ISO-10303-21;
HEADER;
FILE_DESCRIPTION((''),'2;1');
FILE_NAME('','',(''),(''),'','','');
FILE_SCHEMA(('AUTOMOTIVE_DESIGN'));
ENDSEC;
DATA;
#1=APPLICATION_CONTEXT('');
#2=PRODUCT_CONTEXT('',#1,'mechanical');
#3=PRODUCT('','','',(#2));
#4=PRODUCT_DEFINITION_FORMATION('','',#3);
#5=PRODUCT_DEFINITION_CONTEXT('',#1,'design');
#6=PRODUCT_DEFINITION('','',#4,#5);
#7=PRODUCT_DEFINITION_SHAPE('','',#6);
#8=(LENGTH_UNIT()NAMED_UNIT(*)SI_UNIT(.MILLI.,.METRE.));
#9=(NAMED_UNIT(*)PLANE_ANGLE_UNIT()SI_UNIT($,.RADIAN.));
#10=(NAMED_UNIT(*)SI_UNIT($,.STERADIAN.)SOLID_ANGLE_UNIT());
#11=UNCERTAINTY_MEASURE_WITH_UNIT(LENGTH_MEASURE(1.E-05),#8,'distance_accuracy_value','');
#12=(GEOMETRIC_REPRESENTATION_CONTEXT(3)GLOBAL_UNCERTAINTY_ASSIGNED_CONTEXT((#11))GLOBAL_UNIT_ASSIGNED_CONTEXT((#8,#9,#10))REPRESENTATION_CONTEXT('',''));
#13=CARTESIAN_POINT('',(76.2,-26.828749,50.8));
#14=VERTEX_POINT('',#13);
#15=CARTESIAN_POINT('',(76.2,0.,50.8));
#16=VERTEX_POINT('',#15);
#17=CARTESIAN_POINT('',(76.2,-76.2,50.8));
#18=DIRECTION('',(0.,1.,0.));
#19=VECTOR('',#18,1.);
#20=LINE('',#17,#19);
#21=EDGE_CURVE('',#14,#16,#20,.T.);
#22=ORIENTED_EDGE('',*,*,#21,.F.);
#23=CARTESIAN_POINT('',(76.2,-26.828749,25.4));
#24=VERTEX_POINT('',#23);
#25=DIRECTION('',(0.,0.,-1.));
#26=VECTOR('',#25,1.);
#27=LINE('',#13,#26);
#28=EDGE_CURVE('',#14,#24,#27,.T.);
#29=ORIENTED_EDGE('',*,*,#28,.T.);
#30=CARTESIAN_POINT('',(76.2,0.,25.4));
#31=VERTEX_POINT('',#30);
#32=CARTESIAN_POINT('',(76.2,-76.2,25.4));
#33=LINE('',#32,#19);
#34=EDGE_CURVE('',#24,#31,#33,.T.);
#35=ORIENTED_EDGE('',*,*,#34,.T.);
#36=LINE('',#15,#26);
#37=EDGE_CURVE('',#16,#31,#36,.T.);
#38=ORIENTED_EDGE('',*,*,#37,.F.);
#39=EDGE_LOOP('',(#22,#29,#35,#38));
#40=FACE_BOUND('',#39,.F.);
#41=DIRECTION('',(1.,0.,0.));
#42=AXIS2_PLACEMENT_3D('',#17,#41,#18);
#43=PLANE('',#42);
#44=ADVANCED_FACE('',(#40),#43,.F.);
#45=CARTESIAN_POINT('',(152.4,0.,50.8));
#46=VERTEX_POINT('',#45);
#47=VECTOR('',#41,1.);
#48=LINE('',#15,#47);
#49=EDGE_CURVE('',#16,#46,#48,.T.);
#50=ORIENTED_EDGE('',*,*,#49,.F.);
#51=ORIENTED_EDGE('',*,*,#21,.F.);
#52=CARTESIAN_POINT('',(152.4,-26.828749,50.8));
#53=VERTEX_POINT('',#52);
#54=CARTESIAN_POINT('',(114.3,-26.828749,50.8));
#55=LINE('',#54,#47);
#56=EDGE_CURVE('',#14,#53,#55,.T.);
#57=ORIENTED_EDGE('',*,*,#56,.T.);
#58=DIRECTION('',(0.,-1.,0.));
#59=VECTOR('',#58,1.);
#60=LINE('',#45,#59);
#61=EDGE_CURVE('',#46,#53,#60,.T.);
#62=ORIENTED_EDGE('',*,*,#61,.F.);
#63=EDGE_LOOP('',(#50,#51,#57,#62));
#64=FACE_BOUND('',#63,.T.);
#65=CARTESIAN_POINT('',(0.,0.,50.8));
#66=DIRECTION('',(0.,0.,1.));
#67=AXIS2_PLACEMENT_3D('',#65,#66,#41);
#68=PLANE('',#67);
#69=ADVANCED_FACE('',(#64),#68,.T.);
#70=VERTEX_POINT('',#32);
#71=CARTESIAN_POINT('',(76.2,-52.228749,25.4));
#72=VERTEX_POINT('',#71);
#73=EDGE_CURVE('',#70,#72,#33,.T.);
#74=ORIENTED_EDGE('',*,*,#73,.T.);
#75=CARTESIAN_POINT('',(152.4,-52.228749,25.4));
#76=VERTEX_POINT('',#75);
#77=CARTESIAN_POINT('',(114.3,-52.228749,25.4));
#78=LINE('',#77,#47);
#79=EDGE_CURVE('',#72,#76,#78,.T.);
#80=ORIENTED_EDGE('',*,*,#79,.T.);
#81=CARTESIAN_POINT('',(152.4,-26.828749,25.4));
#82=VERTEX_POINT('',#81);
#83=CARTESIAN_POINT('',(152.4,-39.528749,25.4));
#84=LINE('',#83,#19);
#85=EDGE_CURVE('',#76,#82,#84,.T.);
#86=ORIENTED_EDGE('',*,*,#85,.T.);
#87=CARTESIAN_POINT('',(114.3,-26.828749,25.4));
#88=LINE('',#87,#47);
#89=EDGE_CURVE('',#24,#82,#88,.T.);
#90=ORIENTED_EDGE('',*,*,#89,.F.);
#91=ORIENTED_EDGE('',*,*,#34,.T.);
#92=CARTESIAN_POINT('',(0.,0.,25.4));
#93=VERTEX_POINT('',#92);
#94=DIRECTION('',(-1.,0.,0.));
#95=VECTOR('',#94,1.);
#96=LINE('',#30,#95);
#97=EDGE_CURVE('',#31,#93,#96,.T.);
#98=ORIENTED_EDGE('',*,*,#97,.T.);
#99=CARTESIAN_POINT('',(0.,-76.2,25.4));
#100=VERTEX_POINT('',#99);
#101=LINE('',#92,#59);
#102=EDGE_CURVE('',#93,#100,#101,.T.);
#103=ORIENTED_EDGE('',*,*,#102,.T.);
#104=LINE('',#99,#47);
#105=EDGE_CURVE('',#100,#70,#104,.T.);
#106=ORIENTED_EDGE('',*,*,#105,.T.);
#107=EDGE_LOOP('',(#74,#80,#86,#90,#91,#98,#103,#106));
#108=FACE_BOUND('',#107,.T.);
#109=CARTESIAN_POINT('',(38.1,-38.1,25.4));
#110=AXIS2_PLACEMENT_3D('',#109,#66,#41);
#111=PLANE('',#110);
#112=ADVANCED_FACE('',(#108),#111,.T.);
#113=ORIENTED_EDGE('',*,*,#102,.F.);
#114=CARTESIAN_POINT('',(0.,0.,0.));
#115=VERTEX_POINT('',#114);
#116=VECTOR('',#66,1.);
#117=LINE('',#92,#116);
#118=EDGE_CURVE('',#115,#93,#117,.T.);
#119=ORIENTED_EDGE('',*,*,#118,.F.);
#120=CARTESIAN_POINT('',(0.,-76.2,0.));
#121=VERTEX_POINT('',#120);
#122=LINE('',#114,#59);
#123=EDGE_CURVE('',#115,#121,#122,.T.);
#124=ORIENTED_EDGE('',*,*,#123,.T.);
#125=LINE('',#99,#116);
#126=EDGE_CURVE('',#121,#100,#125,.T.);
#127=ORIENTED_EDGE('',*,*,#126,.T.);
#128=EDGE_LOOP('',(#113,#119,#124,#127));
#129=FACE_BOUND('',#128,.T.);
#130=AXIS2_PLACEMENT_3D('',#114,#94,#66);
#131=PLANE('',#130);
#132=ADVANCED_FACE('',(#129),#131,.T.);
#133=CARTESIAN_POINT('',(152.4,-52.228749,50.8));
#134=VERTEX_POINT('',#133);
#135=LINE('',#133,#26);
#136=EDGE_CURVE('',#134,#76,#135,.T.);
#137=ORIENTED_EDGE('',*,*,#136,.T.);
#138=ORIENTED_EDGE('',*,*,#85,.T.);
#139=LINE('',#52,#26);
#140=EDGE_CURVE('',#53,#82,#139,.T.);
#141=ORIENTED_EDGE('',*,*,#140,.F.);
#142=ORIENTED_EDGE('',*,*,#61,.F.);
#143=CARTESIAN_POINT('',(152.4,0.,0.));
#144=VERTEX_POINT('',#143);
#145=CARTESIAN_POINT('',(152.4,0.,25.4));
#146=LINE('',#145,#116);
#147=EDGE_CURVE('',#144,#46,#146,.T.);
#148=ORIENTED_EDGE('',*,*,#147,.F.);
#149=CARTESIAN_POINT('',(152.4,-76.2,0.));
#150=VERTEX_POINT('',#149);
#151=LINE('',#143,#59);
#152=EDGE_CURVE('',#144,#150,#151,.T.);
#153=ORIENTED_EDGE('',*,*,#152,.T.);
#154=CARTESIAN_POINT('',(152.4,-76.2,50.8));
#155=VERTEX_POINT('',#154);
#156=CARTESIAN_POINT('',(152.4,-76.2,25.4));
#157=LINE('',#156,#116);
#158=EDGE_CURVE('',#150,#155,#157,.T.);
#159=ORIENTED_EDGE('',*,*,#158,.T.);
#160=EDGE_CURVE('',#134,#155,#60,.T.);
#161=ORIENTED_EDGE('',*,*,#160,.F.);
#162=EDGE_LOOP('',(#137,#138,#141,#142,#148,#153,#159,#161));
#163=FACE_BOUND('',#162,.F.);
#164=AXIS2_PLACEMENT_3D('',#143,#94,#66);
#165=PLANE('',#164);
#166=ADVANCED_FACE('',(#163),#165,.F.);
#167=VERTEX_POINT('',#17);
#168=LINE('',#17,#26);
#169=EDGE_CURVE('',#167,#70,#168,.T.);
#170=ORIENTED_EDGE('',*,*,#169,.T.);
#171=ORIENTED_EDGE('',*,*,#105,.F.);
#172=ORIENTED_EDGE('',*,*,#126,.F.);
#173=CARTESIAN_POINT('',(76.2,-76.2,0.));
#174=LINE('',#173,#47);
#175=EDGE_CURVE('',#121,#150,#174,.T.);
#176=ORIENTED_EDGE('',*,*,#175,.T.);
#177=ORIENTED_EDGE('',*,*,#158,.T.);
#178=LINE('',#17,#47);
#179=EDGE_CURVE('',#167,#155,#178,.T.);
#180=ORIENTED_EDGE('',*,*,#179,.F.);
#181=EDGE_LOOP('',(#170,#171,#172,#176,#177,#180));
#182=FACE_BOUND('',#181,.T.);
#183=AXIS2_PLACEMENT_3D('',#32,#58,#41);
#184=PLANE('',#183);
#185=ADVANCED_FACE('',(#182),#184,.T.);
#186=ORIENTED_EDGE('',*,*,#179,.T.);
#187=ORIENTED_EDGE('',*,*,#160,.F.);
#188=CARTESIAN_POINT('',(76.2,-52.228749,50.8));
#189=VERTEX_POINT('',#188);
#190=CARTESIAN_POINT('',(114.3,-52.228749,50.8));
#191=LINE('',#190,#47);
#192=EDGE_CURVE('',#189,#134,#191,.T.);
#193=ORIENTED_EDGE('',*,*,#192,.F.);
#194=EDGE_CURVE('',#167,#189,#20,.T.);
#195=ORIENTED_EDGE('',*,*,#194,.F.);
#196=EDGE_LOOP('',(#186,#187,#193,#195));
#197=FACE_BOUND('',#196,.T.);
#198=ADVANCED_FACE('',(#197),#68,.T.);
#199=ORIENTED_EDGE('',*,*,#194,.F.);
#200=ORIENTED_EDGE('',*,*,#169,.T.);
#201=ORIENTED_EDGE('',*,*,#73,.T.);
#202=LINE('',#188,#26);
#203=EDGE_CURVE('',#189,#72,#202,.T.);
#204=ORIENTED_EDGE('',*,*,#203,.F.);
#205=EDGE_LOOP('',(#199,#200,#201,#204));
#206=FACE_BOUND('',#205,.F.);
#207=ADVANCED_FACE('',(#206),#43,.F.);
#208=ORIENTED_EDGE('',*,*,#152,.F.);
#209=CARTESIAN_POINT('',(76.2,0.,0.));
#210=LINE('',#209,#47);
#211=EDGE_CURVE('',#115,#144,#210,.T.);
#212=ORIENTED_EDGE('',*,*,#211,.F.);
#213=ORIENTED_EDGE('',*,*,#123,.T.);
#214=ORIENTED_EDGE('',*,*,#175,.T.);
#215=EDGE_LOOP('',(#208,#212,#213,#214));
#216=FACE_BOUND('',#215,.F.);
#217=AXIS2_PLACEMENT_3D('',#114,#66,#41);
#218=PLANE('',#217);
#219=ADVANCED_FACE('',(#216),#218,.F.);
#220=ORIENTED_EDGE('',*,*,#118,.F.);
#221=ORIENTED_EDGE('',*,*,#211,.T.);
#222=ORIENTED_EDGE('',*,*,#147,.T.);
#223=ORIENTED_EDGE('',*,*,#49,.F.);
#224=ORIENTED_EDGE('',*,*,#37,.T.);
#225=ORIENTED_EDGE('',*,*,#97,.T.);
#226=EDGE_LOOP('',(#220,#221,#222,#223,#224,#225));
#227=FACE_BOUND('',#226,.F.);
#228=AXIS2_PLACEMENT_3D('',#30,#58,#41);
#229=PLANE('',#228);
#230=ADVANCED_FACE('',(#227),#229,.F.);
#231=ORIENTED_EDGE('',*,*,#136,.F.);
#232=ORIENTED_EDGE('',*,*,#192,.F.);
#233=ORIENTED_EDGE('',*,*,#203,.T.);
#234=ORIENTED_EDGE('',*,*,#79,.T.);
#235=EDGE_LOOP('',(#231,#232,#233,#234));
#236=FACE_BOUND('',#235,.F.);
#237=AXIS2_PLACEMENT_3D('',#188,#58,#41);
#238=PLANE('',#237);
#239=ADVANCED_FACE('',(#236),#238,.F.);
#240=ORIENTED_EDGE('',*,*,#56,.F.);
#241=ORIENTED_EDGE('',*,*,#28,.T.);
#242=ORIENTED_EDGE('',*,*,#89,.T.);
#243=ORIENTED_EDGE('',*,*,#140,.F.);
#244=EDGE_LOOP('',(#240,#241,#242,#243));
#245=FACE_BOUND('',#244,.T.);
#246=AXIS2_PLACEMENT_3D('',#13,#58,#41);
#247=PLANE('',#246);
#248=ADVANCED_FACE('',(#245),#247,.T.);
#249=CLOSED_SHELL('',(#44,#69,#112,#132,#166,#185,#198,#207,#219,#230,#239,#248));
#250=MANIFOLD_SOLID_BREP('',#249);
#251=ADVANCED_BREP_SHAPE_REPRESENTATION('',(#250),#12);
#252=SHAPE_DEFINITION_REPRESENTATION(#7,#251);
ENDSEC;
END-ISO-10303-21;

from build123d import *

# Parameters (mm, degrees)
F0_W     = 152.4
F0_H     = 50.8
F1_DEPTH = 76.2
F2_W     = 76.2
F2_H     = 25.4
F3_DEPTH = 25.4
F5_DEPTH = 25.4


with BuildPart() as f1:
    # F0 (on Front) → F1 (new body)
    with BuildSketch(Plane.XZ):
        with Locations((76.2, 25.4)):
            Rectangle(F0_W, F0_H)
    extrude(amount=F1_DEPTH)

    # F2 (on face) → F3 (cut)
    with BuildSketch(Plane.XY.offset(50.8)):
        with Locations((114.3, -39.528749)):
            Rectangle(F2_W, F2_H)
    extrude(amount=-F3_DEPTH, mode=Mode.SUBTRACT)

    # F4 (on face) → F5 (cut)
    with BuildSketch(Plane.XY.offset(50.8)):
        Polygon((76.2, -26.828749), (76.2, 0), (0, 0), (0, -76.2), (76.2, -76.2), (76.2, -52.228749), align=None)
    extrude(amount=-F5_DEPTH, mode=Mode.SUBTRACT)


solid = f1.part
